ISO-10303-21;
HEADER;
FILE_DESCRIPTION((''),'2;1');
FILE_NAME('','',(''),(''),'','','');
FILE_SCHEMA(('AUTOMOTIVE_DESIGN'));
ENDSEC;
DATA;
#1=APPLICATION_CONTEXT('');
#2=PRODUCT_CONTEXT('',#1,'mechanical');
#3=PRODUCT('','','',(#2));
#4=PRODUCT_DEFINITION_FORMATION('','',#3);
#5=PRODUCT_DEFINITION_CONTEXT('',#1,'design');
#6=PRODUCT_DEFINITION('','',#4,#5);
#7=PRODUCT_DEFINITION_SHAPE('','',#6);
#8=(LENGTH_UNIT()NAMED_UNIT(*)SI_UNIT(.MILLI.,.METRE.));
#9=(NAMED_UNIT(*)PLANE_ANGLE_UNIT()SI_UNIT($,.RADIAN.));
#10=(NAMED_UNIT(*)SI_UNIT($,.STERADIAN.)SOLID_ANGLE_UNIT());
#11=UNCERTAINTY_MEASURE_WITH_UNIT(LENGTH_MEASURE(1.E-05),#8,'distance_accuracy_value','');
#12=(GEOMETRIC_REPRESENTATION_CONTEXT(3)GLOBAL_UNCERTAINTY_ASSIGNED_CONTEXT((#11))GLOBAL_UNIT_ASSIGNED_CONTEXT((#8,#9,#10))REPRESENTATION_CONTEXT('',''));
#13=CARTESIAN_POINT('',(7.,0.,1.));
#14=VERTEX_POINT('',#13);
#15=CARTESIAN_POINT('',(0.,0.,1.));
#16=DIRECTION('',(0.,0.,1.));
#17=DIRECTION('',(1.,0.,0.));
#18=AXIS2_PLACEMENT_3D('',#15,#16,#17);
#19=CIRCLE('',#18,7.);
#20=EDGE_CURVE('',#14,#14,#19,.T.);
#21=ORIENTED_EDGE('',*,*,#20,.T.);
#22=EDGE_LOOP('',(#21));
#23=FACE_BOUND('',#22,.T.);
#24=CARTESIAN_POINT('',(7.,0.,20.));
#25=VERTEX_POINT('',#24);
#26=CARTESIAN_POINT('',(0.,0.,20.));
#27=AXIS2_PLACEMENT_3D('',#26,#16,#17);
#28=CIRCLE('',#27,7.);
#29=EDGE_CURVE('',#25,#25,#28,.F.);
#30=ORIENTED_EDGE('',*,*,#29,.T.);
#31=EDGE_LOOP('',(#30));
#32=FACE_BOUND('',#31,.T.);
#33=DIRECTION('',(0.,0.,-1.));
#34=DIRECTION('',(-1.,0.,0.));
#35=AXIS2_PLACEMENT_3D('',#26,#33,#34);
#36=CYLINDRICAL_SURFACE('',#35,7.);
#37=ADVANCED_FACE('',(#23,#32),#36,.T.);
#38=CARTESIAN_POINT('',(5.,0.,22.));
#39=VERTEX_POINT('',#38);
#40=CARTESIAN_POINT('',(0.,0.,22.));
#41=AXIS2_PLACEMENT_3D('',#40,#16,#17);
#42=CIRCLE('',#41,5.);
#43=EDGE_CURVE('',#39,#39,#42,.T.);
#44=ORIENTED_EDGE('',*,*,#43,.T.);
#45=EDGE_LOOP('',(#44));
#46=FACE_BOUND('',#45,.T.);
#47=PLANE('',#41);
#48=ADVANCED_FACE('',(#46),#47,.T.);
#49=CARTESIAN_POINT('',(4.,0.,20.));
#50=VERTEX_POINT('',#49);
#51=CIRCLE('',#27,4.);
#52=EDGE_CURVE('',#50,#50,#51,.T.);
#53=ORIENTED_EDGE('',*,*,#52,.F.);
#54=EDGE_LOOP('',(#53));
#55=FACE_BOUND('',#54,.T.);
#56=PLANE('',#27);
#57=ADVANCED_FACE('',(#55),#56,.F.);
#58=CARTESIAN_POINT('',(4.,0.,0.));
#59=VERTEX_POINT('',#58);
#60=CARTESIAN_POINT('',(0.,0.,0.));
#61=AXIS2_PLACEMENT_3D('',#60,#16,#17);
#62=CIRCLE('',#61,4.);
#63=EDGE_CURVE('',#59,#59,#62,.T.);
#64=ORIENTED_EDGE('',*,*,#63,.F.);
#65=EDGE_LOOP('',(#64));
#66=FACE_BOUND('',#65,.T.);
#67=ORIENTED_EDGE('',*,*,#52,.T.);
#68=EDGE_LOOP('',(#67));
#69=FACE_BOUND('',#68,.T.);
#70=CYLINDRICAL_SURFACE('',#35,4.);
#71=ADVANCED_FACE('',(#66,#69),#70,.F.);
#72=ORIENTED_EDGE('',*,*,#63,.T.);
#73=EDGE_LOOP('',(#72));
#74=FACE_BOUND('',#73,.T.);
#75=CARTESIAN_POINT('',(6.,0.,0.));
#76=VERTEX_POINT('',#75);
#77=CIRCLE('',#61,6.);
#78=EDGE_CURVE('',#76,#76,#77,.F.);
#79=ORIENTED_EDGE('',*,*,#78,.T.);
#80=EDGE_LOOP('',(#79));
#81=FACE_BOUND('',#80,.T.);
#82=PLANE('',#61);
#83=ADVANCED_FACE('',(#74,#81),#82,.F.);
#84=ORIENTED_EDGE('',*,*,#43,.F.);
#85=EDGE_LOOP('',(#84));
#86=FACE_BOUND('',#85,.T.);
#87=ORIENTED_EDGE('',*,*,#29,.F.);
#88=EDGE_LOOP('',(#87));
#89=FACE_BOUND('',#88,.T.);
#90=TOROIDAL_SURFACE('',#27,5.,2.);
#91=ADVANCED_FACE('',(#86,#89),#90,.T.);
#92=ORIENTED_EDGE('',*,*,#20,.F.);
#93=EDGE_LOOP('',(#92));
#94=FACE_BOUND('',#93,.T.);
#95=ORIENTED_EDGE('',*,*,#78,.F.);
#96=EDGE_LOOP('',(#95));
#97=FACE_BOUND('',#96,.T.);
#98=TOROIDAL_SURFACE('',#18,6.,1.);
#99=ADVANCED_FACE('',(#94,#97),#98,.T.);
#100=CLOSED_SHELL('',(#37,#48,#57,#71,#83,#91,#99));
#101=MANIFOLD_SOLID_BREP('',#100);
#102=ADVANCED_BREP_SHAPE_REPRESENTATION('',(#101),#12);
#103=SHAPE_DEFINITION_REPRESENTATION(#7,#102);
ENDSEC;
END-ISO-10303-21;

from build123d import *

# Parameters (mm, degrees)
SKETCH1_R           = 7
SKETCH1_R_2         = 4
BOSS_EXTRUDE1_DEPTH = 20
SKETCH2_R           = 7
BOSS_EXTRUDE2_DEPTH = 2
FILLET1_R           = 2
FILLET2_R           = 1


with BuildPart() as part:
    # Sketch1 → Boss-Extrude1 (new body)
    with BuildSketch(Plane.XY):
        Circle(SKETCH1_R)
        Circle(SKETCH1_R_2, mode=Mode.SUBTRACT)
    extrude(amount=BOSS_EXTRUDE1_DEPTH)

    # Sketch2 → Boss-Extrude2 (add)
    with BuildSketch(Plane.XY.offset(20)):
        Circle(SKETCH2_R)
    extrude(amount=BOSS_EXTRUDE2_DEPTH)

    # Fillet1
    fillet1_edges = [part.edges().sort_by_distance(p)[0] for p in [
        (-7, 0, 22),
    ]]
    fillet(fillet1_edges, radius=FILLET1_R)

    # Fillet2
    fillet2_edges = [part.edges().sort_by_distance(p)[0] for p in [
        (-7, 0, 0),
    ]]
    fillet(fillet2_edges, radius=FILLET2_R)


solid = part.part
